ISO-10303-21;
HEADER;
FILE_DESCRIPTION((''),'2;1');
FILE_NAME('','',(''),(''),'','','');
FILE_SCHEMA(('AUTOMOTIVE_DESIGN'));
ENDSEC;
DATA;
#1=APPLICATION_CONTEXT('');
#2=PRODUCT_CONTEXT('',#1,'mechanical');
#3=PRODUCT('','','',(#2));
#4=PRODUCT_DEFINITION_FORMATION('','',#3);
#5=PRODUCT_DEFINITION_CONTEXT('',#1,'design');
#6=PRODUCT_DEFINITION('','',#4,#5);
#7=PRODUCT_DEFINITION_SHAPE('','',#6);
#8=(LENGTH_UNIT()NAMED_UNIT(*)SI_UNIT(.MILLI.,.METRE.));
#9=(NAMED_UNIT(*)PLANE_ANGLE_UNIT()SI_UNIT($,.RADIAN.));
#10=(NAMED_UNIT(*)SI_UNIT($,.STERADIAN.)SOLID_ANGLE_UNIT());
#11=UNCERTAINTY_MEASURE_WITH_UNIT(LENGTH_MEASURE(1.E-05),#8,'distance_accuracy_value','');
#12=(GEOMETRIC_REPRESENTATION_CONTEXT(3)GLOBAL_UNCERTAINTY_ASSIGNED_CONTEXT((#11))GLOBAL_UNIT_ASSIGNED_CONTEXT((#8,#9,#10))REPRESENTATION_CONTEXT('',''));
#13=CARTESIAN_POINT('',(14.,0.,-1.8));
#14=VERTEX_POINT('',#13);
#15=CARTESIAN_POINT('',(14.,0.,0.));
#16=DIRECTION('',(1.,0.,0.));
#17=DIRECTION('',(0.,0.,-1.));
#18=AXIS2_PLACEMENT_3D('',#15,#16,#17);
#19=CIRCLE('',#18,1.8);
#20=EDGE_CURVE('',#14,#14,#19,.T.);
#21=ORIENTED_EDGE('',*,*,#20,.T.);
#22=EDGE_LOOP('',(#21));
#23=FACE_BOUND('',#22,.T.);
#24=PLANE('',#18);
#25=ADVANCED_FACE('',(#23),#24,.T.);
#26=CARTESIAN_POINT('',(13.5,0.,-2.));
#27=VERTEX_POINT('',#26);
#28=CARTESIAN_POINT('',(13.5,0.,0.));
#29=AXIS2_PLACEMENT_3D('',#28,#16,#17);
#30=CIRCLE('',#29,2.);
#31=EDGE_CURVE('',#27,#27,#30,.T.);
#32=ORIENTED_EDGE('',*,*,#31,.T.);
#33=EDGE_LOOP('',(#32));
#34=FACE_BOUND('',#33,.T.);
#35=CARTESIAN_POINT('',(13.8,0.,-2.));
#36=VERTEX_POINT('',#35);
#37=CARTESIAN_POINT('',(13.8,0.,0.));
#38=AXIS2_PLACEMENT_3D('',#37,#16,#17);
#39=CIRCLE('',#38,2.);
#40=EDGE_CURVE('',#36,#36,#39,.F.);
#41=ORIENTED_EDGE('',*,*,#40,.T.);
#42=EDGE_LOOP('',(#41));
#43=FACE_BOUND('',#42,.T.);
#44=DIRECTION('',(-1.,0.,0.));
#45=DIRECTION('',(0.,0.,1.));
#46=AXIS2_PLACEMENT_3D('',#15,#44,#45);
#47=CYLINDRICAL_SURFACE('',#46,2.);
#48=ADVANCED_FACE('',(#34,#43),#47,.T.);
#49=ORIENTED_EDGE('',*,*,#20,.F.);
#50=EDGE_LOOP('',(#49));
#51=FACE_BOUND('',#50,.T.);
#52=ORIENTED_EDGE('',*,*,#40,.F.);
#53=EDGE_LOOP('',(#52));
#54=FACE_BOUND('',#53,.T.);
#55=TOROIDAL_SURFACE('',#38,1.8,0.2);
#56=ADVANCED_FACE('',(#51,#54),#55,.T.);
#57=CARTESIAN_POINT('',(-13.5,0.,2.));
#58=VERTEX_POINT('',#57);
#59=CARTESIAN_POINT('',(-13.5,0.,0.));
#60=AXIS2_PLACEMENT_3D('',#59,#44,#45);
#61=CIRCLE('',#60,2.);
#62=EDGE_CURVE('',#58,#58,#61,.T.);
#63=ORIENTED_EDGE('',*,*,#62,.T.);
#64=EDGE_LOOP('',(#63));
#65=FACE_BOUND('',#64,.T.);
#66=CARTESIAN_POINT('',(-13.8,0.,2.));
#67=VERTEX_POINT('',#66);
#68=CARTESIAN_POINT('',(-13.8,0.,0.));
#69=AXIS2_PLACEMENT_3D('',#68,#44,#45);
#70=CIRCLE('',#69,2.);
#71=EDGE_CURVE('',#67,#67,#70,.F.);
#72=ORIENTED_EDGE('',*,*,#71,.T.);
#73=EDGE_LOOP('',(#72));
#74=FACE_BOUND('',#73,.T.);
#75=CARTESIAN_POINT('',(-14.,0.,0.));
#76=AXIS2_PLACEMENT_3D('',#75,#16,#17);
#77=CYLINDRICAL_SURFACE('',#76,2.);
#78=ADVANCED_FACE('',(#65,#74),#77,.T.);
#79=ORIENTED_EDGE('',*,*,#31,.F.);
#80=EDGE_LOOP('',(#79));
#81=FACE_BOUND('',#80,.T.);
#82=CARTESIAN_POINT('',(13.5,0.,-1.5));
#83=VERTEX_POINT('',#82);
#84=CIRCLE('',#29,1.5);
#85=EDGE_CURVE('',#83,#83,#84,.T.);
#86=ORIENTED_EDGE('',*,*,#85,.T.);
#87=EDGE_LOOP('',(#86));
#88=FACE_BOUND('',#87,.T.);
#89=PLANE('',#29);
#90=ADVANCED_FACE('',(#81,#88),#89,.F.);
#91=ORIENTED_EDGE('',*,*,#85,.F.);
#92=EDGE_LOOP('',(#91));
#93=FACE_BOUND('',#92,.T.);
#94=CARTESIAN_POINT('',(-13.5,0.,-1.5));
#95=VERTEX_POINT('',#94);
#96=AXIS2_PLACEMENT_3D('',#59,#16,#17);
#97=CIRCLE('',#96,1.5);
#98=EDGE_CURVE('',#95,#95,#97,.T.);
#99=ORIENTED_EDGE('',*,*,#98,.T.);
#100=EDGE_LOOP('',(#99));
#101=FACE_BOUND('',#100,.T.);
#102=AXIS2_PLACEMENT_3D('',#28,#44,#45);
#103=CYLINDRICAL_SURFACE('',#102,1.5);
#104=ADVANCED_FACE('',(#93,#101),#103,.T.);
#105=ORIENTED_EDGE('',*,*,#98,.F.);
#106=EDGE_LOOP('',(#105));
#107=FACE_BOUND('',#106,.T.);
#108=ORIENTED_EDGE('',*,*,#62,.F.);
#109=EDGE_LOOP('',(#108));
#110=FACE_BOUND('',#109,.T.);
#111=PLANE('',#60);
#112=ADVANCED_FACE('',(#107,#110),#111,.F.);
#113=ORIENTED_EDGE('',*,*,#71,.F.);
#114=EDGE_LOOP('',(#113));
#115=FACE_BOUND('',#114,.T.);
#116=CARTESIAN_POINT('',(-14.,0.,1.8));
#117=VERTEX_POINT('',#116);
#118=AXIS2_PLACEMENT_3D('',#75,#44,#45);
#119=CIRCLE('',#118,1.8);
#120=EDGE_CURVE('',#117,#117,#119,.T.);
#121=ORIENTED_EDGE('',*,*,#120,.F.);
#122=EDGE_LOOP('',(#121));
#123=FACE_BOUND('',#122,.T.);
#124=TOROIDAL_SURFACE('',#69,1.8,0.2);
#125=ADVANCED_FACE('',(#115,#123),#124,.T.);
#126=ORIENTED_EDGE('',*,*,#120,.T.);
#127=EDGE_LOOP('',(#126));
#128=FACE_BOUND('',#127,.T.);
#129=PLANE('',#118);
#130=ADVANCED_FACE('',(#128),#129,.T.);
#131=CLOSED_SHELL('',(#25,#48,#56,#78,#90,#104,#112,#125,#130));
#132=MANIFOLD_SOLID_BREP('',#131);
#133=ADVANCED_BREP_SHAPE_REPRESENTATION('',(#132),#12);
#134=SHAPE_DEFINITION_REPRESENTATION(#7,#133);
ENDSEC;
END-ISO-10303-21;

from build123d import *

# Parameters (mm, degrees)
SKETCH1_R           = 1.5
BOSS_EXTRUDE1_DEPTH = 13.5
SKETCH2_R           = 2
BOSS_EXTRUDE2_DEPTH = 0.5
SKETCH3_R           = 2
BOSS_EXTRUDE3_DEPTH = 0.5
FILLET1_R           = 0.2


with BuildPart() as part:
    # Sketch1 → Boss-Extrude1 (new body, symmetric)
    with BuildSketch(Plane(origin=(0, 0, 0), x_dir=(0, 0, -1), z_dir=(1, 0, 0))):
        Circle(SKETCH1_R)
    extrude(amount=BOSS_EXTRUDE1_DEPTH, both=True)

    # Sketch2 → Boss-Extrude2 (add)
    with BuildSketch(Plane(origin=(13.5, 0, 0), x_dir=(0, 0, -1), z_dir=(1, 0, 0))):
        Circle(SKETCH2_R)
    extrude(amount=BOSS_EXTRUDE2_DEPTH)

    # Sketch3 → Boss-Extrude3 (add)
    with BuildSketch(Plane.ZY.offset(13.5)):
        Circle(SKETCH3_R)
    extrude(amount=BOSS_EXTRUDE3_DEPTH)

    # Fillet1
    fillet1_edges = [part.edges().sort_by_distance(p)[0] for p in [
        (-14, 0, -2),
        (14, 0, 2),
    ]]
    fillet(fillet1_edges, radius=FILLET1_R)


solid = part.part
